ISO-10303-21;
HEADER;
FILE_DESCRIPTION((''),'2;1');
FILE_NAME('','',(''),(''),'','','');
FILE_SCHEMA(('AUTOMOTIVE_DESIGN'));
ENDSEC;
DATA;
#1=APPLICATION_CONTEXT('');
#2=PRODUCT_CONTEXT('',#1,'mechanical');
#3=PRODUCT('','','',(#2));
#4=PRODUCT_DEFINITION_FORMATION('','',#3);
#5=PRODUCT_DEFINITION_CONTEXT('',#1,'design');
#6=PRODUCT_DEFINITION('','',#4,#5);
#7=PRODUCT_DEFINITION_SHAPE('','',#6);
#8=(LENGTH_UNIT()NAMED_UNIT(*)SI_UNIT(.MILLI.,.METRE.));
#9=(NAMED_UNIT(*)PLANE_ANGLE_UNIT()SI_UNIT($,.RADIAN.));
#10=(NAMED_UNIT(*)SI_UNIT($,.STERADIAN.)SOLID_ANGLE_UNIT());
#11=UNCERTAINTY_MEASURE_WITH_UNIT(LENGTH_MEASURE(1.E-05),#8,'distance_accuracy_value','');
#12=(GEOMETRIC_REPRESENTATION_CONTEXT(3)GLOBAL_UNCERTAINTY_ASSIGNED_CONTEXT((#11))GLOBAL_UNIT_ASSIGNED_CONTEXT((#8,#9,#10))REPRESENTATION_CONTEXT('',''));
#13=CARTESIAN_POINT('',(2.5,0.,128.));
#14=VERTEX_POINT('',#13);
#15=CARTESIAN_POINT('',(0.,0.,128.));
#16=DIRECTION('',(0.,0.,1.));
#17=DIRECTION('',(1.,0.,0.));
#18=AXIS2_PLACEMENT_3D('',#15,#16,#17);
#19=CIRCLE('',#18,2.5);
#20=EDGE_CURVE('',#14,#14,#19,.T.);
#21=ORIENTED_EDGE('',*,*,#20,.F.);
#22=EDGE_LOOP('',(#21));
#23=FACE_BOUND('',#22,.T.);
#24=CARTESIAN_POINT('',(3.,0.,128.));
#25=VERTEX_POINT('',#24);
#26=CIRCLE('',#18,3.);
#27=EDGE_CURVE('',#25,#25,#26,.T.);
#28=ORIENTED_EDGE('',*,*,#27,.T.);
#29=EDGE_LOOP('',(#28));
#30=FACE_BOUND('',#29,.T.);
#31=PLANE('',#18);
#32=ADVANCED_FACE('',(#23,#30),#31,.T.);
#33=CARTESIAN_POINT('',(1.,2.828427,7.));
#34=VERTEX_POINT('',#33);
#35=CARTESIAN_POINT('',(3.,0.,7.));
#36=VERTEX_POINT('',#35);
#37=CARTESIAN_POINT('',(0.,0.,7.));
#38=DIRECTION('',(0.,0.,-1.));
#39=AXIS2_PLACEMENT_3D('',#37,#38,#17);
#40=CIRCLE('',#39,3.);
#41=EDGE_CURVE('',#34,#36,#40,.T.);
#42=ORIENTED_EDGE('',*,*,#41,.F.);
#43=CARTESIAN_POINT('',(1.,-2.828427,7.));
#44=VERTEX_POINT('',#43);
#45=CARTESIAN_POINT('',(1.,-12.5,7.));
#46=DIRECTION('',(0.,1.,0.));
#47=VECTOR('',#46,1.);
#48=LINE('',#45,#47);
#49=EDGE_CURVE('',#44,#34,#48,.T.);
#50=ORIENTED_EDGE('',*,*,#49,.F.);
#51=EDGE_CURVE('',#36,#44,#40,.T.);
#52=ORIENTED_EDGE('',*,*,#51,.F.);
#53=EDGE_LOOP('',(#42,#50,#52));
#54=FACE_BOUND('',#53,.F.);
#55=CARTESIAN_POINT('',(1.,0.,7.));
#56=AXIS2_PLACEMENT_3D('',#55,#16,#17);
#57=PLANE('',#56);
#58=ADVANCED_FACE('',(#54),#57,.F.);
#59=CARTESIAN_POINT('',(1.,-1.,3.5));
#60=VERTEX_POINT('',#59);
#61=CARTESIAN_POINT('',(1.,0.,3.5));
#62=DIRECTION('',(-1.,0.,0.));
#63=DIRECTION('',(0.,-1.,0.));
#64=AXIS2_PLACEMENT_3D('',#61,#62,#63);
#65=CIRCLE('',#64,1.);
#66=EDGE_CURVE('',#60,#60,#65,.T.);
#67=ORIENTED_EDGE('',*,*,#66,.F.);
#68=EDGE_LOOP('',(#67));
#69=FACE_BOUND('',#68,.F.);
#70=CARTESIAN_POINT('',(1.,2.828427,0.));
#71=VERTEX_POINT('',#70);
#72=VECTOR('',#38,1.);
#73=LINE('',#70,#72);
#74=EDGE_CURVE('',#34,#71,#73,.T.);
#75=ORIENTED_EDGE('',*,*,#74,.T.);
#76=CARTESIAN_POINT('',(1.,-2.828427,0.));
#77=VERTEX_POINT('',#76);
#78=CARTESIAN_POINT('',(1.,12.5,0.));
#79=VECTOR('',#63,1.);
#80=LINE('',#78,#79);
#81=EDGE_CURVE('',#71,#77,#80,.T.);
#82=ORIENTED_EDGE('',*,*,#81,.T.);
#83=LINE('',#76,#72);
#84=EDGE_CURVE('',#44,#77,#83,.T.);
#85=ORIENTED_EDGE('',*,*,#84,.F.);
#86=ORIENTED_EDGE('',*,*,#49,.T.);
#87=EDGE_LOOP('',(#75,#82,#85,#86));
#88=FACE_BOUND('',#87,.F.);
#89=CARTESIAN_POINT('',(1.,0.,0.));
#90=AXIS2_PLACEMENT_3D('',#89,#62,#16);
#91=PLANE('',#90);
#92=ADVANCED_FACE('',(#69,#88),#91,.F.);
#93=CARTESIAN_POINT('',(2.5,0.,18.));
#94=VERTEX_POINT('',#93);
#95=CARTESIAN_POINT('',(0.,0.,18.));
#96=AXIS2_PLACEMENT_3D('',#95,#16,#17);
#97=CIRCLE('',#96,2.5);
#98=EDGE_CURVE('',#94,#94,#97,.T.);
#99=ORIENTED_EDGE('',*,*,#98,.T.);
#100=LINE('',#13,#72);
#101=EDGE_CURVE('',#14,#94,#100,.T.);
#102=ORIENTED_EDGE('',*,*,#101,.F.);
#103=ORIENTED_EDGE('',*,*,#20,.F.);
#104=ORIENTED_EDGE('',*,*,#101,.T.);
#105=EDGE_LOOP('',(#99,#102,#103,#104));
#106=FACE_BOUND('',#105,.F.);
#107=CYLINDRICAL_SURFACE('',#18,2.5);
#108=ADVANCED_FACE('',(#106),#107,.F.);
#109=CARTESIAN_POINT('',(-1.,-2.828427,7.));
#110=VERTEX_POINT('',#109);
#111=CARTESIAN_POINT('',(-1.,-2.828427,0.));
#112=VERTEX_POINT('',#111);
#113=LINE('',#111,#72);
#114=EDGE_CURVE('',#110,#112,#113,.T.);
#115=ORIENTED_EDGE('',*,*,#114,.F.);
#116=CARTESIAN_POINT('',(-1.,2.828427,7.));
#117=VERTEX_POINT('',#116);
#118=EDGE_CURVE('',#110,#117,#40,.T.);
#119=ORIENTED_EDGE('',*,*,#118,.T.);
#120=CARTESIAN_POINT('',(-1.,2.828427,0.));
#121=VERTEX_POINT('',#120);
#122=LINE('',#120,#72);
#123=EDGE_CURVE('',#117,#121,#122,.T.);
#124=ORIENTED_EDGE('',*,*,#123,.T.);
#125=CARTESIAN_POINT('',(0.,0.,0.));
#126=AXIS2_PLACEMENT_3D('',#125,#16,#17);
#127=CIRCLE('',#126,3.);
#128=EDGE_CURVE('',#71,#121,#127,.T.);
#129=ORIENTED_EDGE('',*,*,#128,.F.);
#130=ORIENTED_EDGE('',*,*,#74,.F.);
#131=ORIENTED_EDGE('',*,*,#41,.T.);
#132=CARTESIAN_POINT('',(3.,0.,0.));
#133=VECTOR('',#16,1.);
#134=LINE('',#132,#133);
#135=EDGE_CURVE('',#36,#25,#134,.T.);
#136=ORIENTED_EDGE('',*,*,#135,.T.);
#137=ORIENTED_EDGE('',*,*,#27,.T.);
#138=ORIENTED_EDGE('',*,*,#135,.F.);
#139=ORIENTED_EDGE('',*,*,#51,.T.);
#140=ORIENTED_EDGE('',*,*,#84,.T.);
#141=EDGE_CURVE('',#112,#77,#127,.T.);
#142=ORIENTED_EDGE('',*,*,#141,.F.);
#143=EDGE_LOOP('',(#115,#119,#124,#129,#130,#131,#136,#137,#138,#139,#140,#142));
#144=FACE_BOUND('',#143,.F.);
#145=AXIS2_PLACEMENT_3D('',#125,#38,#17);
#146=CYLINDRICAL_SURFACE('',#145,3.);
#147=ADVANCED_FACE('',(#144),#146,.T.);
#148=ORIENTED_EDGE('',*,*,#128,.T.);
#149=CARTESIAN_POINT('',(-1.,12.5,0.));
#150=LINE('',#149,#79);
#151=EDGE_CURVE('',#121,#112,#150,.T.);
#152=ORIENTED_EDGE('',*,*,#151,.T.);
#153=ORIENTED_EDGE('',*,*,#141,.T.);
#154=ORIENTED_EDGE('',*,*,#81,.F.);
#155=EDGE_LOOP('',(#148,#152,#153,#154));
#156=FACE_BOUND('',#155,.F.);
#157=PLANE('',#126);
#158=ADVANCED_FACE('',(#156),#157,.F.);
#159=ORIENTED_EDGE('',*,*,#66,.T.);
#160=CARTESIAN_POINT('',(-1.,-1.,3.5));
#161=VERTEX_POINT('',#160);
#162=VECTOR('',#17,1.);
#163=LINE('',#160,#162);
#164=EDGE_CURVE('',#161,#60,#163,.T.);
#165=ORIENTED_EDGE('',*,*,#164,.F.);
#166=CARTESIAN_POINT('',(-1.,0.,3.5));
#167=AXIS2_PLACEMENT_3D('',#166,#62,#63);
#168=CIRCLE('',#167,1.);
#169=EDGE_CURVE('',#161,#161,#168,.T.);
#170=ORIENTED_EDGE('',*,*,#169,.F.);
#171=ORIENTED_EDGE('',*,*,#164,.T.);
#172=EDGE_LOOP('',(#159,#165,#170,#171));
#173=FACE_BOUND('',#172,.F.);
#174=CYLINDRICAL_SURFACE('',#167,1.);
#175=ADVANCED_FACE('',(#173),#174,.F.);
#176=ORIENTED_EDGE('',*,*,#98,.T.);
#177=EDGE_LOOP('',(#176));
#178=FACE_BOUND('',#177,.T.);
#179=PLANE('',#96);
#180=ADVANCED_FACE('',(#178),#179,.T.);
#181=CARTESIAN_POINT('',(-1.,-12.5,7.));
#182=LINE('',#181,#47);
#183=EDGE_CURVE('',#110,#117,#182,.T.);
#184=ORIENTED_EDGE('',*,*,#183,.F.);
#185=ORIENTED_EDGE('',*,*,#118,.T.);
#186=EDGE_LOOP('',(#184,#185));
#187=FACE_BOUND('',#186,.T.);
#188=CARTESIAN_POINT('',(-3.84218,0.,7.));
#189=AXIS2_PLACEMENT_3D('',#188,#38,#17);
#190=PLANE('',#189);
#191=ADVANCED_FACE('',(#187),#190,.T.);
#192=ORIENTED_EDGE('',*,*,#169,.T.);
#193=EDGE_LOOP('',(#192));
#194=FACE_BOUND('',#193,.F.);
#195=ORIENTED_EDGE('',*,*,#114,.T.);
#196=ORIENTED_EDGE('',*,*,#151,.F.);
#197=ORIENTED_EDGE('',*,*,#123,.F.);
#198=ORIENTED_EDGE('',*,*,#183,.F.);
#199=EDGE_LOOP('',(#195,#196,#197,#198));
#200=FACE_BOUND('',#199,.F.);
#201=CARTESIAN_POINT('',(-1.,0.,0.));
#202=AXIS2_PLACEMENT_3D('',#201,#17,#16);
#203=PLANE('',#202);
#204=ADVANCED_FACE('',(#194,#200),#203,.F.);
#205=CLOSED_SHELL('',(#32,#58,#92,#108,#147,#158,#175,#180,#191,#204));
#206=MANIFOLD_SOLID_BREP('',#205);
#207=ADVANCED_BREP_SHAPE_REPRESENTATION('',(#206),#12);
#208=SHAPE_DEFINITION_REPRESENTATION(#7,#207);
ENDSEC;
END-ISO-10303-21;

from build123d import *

# Parameters (mm, degrees)
F0_R     = 3
F1_DEPTH = 128
F2_R     = 2.5
F3_DEPTH = 110
F4_W     = 2.84218
F4_H     = 7
F5_DEPTH = 12.5
F6_R     = 1
F7_DEPTH = 4.001


with BuildPart() as f1:
    # F0 (on Top) → F1 (new body)
    with BuildSketch(Plane.XY):
        Circle(F0_R)
    extrude(amount=F1_DEPTH)

    # F2 (on face) → F3 (cut)
    with BuildSketch(Plane.XY.offset(128)):
        Circle(F2_R)
    extrude(amount=-F3_DEPTH, mode=Mode.SUBTRACT)

    # F4 (on Front) → F5 (cut, symmetric)
    with BuildSketch(Plane.XZ):
        with Locations((2.42109, 3.5)):
            Rectangle(F4_W, F4_H)
        with Locations((-2.42109, 3.5)):
            Rectangle(F4_W, F4_H)
    extrude(amount=F5_DEPTH, both=True, mode=Mode.SUBTRACT)

    # F6 (on face) → F7 (cut, through all)
    with BuildSketch(Plane(origin=(-1, 0, 0), x_dir=(0, -1, 0), z_dir=(-1, 0, 0))):
        with Locations((0, 3.5)):
            Circle(F6_R)
    extrude(amount=-F7_DEPTH, mode=Mode.SUBTRACT)


solid = f1.part
